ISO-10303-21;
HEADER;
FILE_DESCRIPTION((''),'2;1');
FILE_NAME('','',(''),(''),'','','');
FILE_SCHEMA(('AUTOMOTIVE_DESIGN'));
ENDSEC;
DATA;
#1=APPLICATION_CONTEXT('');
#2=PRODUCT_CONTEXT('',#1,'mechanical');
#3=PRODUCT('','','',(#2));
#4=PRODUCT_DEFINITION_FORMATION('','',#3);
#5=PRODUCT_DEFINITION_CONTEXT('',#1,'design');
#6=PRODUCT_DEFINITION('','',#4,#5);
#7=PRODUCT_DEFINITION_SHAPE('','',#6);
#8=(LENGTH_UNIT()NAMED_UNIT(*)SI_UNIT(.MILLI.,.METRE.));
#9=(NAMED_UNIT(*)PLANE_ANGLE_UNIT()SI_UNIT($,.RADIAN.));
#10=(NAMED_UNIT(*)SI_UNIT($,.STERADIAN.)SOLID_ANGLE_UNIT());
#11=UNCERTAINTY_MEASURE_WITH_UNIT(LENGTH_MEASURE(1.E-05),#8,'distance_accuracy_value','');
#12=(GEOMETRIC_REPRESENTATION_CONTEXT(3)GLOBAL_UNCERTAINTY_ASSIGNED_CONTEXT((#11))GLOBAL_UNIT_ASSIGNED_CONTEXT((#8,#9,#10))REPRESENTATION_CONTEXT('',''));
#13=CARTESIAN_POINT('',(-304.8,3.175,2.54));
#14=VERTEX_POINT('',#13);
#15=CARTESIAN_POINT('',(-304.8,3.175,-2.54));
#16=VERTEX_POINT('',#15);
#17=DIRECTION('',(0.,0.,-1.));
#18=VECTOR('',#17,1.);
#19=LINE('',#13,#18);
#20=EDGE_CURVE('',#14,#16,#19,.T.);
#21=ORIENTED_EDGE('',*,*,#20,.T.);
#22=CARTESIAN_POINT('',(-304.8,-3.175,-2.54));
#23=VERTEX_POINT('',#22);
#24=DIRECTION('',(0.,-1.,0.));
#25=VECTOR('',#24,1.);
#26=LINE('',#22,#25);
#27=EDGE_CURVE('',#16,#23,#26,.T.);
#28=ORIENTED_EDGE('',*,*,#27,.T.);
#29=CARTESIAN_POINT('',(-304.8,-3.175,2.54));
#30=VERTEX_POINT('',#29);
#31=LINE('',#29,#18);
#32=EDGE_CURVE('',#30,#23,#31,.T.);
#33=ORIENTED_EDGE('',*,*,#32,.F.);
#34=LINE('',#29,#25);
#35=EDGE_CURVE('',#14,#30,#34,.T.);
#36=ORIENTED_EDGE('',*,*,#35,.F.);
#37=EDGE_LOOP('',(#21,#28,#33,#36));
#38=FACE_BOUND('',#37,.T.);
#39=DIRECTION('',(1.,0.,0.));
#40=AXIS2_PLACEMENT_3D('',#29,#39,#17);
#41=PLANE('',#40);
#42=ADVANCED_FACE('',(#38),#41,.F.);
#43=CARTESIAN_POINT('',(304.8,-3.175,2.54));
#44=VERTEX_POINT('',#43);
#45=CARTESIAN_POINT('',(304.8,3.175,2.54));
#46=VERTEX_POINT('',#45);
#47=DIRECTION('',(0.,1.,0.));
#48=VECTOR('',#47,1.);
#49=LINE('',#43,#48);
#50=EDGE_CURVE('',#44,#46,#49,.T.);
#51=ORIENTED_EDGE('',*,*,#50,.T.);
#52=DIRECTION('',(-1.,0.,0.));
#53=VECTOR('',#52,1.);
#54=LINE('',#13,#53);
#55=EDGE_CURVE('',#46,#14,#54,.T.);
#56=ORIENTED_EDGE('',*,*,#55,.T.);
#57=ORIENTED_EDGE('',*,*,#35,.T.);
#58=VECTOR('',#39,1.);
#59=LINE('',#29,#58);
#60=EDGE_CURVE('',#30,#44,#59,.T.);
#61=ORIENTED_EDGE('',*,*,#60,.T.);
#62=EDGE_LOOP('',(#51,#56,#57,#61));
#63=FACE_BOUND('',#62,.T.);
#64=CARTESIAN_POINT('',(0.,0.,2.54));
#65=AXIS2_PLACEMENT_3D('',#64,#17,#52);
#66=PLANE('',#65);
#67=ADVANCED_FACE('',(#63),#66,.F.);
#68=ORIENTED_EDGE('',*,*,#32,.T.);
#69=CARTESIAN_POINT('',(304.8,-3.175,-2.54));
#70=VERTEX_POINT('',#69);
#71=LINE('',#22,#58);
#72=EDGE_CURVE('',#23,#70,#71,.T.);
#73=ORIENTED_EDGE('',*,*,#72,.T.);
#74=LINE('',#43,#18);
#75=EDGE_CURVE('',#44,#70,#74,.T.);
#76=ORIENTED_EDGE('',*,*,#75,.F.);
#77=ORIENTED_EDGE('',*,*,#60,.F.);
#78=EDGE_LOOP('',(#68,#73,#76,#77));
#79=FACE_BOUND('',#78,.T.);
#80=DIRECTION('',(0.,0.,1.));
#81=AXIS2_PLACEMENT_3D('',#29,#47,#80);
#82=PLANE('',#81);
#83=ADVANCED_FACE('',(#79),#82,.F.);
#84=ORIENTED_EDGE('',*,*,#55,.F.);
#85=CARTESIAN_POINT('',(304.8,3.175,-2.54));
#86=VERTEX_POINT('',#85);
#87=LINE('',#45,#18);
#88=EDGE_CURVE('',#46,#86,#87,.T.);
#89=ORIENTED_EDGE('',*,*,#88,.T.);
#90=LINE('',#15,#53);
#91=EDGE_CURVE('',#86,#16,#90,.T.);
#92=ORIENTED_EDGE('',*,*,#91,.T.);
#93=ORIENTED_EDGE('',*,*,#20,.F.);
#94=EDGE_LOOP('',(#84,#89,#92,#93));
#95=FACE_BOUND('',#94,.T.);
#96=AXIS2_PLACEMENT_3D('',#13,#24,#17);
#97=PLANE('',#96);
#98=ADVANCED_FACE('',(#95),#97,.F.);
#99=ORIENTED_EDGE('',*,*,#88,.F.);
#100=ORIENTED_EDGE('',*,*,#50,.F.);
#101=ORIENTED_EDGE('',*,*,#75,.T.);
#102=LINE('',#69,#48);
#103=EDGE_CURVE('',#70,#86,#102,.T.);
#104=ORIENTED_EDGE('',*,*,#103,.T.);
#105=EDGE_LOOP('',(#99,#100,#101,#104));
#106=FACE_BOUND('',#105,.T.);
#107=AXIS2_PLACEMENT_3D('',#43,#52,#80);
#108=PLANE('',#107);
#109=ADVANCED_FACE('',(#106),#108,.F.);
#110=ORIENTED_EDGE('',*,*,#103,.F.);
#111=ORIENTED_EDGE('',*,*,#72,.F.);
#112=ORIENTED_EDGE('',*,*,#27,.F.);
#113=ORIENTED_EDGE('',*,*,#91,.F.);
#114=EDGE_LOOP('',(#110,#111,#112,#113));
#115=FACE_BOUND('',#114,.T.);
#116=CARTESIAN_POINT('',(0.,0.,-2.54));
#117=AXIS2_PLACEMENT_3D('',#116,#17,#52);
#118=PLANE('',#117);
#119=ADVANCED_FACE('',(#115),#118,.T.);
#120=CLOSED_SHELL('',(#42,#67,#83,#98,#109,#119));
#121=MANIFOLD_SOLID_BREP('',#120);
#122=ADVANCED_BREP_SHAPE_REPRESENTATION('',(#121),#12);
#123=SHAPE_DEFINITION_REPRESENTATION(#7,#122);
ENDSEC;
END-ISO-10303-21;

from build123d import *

# Parameters (mm, degrees)
SKETCH1_W           = 609.6
SKETCH1_H           = 6.35
BOSS_EXTRUDE1_DEPTH = 2.54


with BuildPart() as part:
    # Sketch1 → Boss-Extrude1 (new body, symmetric)
    with BuildSketch(Plane.XY):
        Rectangle(SKETCH1_W, SKETCH1_H)
    extrude(amount=BOSS_EXTRUDE1_DEPTH, both=True)


solid = part.part
